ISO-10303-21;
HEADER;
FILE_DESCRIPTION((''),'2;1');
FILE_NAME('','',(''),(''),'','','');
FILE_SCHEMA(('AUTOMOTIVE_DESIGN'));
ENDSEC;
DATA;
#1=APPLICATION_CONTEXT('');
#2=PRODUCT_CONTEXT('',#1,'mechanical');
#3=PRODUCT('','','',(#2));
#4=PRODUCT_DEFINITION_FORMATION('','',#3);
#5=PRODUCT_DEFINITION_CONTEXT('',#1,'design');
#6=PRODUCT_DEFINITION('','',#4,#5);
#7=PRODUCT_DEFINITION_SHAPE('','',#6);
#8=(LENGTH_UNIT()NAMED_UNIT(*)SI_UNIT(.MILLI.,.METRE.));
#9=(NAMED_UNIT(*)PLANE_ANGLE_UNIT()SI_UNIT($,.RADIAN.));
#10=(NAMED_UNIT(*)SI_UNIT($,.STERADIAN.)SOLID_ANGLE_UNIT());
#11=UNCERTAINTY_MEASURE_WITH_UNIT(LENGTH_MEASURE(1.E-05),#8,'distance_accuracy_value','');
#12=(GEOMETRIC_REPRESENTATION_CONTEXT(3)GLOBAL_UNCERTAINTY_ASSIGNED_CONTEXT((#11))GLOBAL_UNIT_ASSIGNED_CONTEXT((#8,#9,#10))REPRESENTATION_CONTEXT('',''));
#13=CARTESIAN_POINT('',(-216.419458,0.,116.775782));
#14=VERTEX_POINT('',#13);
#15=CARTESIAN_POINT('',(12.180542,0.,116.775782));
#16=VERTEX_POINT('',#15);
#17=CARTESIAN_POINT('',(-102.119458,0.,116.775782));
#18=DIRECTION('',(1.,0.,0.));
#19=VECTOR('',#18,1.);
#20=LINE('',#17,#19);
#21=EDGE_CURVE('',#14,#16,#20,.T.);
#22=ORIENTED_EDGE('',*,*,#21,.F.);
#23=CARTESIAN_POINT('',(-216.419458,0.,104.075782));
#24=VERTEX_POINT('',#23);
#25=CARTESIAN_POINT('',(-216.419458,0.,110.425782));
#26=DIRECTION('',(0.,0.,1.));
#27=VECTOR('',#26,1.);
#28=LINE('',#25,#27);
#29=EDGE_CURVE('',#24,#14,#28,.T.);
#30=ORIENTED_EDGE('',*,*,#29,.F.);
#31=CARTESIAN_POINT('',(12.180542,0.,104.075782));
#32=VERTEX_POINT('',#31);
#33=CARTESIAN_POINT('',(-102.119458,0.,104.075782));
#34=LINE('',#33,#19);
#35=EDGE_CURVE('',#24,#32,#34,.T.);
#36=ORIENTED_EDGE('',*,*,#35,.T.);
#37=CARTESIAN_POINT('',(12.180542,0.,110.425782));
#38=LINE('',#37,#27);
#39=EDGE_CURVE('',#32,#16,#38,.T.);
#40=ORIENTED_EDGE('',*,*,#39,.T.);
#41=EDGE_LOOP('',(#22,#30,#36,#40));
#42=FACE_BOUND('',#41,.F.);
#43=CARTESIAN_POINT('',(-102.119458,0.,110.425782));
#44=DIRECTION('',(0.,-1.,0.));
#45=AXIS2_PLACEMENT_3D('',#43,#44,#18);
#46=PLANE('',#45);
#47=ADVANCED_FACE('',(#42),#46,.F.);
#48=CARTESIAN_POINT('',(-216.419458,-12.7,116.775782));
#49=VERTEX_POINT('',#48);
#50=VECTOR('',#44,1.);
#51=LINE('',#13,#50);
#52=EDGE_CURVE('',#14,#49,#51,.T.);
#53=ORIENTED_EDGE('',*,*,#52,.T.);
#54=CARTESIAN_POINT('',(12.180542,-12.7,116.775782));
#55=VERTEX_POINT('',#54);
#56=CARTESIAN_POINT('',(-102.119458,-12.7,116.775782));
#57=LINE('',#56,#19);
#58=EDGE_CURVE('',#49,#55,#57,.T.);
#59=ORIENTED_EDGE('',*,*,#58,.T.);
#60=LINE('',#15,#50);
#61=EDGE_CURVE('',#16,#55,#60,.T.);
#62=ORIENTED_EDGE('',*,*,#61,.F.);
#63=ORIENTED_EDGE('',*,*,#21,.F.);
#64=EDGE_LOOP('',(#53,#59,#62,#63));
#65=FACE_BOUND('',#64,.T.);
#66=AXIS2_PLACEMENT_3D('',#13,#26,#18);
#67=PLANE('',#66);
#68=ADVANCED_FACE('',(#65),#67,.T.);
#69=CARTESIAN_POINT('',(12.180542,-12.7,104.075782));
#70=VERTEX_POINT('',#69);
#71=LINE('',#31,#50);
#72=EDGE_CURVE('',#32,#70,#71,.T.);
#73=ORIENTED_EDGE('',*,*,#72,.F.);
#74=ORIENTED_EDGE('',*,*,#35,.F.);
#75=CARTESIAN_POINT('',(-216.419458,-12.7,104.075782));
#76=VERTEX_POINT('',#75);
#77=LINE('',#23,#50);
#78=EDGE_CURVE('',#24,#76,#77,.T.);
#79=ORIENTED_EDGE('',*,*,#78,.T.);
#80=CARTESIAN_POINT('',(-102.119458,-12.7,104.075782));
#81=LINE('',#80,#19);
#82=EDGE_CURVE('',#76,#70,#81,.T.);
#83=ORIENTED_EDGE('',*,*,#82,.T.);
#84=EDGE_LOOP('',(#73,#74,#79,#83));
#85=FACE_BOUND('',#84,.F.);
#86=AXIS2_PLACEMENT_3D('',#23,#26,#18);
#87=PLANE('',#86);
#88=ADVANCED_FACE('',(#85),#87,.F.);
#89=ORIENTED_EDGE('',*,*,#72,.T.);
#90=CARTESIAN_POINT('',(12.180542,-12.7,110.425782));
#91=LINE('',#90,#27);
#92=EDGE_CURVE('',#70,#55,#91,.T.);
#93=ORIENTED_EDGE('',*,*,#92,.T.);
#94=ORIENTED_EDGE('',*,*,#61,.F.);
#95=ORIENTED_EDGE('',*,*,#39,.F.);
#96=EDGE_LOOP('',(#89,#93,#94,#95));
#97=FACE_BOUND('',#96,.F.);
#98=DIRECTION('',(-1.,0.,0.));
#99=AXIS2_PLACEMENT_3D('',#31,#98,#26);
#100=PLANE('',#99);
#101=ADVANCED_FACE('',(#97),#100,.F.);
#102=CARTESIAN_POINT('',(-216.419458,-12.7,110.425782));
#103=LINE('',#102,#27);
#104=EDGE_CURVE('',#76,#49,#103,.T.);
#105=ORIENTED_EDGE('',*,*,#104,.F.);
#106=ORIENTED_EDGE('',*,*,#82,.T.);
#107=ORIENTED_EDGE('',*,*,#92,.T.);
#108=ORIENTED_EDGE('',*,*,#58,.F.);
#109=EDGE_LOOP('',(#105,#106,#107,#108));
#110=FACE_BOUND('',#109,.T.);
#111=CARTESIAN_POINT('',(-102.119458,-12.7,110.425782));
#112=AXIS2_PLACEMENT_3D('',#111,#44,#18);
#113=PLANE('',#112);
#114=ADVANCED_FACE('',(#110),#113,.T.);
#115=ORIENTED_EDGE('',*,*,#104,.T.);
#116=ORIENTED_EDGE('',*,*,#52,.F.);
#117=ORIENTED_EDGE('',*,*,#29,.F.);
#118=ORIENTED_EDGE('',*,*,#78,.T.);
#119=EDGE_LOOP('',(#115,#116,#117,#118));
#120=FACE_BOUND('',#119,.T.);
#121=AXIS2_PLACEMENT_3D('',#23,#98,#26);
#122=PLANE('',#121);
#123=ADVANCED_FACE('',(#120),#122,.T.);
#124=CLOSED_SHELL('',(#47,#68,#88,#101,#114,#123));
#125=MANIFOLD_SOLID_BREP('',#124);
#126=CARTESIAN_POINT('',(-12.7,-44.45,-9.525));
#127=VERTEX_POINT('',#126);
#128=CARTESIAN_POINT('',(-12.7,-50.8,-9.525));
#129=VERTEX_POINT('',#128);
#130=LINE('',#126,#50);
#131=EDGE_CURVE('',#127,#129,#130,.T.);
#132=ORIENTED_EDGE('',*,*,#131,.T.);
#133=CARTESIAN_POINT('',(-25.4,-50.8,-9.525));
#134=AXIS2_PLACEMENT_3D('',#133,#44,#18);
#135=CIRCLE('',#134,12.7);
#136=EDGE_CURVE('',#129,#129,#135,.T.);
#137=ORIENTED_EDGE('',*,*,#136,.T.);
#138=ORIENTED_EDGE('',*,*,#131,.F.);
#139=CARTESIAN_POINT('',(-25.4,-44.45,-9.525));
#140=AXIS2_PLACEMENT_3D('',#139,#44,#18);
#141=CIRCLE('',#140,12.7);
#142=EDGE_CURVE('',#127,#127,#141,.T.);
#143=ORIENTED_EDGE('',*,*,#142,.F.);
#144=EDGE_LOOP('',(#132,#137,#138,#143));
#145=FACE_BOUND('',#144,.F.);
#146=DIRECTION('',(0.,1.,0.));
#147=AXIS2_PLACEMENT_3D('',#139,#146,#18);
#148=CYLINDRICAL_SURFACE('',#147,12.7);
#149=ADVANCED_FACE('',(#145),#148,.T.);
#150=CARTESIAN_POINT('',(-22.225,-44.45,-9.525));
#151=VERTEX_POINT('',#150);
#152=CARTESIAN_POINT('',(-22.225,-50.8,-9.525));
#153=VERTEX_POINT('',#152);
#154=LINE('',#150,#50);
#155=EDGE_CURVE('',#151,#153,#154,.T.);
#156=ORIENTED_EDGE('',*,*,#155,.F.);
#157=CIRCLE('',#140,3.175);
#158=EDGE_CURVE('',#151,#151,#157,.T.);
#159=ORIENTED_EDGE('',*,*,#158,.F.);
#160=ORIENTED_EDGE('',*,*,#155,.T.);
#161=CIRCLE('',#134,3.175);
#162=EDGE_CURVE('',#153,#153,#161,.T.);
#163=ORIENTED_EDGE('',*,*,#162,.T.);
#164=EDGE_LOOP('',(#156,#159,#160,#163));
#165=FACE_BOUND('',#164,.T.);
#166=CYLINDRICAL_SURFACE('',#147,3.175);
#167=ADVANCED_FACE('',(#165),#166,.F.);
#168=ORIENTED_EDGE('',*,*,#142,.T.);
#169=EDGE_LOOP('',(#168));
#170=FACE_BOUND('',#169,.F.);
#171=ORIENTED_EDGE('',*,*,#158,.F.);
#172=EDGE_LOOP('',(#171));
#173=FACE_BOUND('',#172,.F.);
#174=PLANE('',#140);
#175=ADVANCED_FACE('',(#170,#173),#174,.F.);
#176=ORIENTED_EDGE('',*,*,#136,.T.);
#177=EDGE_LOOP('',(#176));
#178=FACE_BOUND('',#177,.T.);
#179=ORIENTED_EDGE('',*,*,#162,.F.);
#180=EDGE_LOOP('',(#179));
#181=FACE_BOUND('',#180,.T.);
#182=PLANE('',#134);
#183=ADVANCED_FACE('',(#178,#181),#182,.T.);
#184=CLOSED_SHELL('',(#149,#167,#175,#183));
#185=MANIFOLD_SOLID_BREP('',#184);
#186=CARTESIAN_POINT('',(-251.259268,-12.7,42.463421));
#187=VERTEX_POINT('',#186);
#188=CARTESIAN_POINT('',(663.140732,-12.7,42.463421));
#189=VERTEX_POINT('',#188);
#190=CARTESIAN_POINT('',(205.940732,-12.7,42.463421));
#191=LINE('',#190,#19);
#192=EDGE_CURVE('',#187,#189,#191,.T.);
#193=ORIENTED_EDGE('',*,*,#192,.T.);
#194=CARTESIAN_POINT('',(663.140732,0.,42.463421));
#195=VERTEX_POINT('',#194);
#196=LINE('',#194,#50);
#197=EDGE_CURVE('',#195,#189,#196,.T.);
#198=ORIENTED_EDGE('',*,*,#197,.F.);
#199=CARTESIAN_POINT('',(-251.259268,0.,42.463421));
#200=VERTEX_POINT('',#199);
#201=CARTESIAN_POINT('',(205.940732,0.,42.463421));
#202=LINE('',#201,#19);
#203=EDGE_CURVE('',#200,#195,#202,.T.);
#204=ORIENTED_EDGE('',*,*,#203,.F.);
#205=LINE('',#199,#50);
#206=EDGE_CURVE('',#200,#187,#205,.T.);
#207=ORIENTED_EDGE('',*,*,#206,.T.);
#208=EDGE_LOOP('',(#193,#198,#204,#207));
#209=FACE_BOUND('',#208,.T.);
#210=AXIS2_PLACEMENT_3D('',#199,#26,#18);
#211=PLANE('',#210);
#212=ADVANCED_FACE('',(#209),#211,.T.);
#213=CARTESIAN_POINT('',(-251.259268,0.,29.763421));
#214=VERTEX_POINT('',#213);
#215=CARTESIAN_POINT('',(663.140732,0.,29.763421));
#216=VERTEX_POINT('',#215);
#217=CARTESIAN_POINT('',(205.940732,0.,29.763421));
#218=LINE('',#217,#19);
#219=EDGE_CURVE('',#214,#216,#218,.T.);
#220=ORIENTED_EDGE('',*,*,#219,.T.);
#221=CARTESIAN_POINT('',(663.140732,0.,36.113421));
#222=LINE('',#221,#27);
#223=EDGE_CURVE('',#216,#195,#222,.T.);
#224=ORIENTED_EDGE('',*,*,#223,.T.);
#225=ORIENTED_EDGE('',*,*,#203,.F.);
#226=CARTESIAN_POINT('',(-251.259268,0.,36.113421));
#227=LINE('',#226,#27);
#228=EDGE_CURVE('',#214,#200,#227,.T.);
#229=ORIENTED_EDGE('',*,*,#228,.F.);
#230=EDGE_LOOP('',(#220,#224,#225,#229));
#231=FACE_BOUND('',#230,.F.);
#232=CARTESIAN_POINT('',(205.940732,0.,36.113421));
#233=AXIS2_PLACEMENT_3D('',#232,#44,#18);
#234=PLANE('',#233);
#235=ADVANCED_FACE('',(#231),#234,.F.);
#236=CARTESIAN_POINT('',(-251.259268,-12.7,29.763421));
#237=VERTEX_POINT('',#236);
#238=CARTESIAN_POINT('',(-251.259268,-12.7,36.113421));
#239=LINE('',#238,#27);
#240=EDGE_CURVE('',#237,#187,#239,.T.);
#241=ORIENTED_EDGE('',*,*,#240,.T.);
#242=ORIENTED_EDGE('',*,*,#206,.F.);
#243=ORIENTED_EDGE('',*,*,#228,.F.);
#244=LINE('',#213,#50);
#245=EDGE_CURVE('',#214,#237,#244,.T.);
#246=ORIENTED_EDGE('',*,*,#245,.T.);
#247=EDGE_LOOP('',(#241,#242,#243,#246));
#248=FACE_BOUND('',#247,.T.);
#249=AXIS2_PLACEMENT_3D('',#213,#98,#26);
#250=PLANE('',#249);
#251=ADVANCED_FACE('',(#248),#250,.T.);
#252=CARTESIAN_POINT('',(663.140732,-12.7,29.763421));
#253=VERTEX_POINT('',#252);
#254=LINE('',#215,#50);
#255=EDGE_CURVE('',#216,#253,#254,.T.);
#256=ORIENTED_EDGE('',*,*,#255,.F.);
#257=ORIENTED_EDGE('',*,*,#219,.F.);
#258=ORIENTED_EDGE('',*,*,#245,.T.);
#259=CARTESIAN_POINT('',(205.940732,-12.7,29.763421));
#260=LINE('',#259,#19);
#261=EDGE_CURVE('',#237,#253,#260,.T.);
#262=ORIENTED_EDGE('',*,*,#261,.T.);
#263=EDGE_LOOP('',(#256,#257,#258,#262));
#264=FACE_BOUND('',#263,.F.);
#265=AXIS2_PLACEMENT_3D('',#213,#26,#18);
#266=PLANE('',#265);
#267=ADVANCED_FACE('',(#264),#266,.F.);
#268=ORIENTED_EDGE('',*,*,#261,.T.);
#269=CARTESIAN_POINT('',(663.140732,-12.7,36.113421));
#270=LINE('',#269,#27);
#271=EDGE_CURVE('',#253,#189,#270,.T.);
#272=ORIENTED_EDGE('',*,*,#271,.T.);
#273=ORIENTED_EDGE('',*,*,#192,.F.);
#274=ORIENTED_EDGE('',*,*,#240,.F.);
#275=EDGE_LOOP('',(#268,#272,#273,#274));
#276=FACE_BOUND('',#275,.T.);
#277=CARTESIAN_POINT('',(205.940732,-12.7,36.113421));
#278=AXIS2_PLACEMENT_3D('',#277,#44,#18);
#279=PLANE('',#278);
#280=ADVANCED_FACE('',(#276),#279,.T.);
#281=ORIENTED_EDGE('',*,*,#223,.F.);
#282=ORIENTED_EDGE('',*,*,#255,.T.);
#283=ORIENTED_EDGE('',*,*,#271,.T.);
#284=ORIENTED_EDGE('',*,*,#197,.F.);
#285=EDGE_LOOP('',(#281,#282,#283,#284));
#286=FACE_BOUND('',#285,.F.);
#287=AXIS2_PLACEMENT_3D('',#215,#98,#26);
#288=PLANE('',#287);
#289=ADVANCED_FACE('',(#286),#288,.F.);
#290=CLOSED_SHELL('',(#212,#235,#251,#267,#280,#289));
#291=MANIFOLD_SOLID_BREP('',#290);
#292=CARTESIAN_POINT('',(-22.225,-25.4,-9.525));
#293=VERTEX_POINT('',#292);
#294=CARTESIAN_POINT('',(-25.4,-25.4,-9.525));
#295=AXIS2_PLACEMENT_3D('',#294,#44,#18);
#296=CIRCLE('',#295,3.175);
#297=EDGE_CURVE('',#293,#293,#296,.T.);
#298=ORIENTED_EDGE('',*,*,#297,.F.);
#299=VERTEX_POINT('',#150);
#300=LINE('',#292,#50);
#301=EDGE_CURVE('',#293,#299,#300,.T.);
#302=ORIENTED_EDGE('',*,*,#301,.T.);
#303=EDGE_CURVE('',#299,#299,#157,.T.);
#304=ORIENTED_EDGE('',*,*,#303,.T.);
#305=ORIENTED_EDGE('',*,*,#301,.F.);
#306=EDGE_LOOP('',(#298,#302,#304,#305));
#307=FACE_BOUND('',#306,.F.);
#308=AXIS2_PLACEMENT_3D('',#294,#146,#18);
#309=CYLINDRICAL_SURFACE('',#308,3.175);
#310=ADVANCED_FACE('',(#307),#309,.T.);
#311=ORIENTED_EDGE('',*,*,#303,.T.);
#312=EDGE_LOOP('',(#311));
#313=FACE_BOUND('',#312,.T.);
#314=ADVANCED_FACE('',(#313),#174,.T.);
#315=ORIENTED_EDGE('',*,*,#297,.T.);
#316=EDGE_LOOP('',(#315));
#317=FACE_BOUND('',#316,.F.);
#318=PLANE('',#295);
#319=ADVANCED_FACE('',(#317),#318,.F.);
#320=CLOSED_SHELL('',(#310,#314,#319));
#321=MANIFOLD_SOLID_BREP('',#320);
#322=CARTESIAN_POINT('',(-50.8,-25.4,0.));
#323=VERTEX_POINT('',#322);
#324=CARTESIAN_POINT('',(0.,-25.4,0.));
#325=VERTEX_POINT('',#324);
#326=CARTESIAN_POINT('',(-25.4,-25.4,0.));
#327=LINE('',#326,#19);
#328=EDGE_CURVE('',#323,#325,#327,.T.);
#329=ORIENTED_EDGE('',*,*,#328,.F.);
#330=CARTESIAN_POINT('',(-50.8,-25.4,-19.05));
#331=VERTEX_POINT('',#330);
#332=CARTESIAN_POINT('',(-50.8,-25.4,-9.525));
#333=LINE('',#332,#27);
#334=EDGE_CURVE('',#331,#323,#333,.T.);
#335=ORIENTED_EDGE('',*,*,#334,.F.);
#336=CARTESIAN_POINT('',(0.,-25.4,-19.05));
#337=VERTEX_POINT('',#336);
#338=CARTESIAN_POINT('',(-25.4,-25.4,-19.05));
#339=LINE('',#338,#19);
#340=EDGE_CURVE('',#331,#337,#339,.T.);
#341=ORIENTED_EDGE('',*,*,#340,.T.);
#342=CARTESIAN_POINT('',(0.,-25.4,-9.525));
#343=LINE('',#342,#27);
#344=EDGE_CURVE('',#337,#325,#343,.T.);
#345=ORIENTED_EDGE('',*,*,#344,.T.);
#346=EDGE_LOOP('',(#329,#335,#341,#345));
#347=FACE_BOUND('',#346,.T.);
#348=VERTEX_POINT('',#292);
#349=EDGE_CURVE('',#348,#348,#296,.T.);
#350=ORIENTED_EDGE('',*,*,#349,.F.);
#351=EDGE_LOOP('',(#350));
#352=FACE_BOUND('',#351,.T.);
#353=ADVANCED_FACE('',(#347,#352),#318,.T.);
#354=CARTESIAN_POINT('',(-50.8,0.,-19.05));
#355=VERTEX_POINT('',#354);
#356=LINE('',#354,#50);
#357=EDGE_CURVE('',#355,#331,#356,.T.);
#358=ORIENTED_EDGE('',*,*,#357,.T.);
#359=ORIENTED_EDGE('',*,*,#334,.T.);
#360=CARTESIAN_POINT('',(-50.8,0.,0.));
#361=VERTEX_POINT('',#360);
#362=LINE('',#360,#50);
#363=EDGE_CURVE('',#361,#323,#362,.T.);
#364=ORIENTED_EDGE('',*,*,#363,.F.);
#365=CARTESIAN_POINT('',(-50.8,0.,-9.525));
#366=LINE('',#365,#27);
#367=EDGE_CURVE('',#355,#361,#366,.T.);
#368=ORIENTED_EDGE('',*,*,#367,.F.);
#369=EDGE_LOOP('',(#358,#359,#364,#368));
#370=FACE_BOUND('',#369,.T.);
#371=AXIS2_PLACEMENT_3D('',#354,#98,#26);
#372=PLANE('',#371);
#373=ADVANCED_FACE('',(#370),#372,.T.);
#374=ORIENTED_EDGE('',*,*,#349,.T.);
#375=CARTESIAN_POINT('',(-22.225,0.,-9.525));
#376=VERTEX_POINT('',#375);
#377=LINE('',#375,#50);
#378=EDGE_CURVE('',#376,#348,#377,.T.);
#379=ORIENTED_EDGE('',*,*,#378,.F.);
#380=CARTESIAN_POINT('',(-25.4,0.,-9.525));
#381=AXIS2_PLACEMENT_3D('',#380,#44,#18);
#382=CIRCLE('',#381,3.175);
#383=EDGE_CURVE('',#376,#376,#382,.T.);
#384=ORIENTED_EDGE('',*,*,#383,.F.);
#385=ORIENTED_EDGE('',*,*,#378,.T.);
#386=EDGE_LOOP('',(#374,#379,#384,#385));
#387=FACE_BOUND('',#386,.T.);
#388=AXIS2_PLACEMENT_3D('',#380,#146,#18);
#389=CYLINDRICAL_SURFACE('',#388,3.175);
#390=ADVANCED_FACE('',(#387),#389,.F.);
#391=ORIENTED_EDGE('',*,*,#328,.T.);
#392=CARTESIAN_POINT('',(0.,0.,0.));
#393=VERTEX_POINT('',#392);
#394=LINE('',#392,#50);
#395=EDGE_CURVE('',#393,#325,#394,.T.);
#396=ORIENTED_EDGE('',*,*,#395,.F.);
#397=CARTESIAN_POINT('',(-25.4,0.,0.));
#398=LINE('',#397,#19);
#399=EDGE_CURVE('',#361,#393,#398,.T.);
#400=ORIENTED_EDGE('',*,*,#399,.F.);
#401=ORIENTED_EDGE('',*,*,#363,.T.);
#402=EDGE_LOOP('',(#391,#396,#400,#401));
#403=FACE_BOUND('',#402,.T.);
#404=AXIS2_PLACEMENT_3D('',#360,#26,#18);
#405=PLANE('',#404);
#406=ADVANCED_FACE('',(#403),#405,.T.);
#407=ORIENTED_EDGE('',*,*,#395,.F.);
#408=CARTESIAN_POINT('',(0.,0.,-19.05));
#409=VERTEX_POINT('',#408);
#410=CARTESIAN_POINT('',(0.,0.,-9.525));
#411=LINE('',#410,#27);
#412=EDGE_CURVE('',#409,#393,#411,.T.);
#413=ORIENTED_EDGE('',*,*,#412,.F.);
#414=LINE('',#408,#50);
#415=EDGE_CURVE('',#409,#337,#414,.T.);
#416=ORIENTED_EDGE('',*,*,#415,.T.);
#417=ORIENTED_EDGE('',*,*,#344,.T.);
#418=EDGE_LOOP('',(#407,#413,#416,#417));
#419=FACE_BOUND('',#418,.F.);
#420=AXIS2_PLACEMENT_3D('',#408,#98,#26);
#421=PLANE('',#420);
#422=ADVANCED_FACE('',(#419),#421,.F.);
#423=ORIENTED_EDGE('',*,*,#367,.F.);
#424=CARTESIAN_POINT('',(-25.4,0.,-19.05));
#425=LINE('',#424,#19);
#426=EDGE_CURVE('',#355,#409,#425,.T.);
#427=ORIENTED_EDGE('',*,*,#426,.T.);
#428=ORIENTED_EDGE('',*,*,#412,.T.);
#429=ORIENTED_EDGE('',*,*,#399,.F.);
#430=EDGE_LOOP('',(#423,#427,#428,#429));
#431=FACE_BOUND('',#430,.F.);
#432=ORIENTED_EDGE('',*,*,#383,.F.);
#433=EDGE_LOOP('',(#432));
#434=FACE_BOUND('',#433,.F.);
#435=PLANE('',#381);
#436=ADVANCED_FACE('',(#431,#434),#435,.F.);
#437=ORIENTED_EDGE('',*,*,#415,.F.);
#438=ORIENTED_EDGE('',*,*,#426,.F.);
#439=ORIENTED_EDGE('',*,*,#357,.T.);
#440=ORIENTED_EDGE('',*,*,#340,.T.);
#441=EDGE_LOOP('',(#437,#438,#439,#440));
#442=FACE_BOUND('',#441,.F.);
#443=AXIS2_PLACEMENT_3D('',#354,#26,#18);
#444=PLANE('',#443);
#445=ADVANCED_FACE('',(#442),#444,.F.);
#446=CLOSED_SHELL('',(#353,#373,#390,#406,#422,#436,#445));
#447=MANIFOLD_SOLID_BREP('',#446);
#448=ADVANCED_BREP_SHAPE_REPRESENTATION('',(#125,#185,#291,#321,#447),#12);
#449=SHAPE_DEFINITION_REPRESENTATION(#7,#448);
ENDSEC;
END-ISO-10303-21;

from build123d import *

# Parameters (mm, degrees)
F0_W     = 914.4
F0_H     = 12.7
F0_W_2   = 228.6
F1_DEPTH = 12.7
F2_W     = 50.8
F2_H     = 19.05
F2_R     = 3.175
F3_DEPTH = 25.4
F4_R     = 3.175
F5_DEPTH = 19.05
F6_R     = 12.7
F6_R_2   = 3.175
F7_DEPTH = 6.35


with BuildPart() as f1:
    # F0 (on Front) → F1 (new body)
    with BuildSketch(Plane.XZ):
        with Locations((205.940732, 36.113421)):
            Rectangle(F0_W, F0_H)
        with Locations((-102.119458, 110.425782)):
            Rectangle(F0_W_2, F0_H)
    extrude(amount=F1_DEPTH)


with BuildPart() as f3:
    # F2 (on Front) → F3 (new body)
    with BuildSketch(Plane.XZ):
        with Locations((-25.4, -9.525)):
            Rectangle(F2_W, F2_H)
        with Locations((-25.4, -9.525)):
            Circle(F2_R, mode=Mode.SUBTRACT)
    extrude(amount=F3_DEPTH)


with BuildPart() as f5:
    # F4 (on face) → F5 (new body)
    with BuildSketch(Plane.XZ.offset(25.4)):
        with Locations((-25.4, -9.525)):
            Circle(F4_R)
    extrude(amount=F5_DEPTH)


with BuildPart() as f7:
    # F6 (on face) → F7 (new body)
    with BuildSketch(Plane.XZ.offset(44.45)):
        with Locations((-25.4, -9.525)):
            Circle(F6_R)
        with Locations((-25.4, -9.525)):
            Circle(F6_R_2, mode=Mode.SUBTRACT)
    extrude(amount=F7_DEPTH)


solid = Compound([f1.part, f3.part, f5.part, f7.part])
